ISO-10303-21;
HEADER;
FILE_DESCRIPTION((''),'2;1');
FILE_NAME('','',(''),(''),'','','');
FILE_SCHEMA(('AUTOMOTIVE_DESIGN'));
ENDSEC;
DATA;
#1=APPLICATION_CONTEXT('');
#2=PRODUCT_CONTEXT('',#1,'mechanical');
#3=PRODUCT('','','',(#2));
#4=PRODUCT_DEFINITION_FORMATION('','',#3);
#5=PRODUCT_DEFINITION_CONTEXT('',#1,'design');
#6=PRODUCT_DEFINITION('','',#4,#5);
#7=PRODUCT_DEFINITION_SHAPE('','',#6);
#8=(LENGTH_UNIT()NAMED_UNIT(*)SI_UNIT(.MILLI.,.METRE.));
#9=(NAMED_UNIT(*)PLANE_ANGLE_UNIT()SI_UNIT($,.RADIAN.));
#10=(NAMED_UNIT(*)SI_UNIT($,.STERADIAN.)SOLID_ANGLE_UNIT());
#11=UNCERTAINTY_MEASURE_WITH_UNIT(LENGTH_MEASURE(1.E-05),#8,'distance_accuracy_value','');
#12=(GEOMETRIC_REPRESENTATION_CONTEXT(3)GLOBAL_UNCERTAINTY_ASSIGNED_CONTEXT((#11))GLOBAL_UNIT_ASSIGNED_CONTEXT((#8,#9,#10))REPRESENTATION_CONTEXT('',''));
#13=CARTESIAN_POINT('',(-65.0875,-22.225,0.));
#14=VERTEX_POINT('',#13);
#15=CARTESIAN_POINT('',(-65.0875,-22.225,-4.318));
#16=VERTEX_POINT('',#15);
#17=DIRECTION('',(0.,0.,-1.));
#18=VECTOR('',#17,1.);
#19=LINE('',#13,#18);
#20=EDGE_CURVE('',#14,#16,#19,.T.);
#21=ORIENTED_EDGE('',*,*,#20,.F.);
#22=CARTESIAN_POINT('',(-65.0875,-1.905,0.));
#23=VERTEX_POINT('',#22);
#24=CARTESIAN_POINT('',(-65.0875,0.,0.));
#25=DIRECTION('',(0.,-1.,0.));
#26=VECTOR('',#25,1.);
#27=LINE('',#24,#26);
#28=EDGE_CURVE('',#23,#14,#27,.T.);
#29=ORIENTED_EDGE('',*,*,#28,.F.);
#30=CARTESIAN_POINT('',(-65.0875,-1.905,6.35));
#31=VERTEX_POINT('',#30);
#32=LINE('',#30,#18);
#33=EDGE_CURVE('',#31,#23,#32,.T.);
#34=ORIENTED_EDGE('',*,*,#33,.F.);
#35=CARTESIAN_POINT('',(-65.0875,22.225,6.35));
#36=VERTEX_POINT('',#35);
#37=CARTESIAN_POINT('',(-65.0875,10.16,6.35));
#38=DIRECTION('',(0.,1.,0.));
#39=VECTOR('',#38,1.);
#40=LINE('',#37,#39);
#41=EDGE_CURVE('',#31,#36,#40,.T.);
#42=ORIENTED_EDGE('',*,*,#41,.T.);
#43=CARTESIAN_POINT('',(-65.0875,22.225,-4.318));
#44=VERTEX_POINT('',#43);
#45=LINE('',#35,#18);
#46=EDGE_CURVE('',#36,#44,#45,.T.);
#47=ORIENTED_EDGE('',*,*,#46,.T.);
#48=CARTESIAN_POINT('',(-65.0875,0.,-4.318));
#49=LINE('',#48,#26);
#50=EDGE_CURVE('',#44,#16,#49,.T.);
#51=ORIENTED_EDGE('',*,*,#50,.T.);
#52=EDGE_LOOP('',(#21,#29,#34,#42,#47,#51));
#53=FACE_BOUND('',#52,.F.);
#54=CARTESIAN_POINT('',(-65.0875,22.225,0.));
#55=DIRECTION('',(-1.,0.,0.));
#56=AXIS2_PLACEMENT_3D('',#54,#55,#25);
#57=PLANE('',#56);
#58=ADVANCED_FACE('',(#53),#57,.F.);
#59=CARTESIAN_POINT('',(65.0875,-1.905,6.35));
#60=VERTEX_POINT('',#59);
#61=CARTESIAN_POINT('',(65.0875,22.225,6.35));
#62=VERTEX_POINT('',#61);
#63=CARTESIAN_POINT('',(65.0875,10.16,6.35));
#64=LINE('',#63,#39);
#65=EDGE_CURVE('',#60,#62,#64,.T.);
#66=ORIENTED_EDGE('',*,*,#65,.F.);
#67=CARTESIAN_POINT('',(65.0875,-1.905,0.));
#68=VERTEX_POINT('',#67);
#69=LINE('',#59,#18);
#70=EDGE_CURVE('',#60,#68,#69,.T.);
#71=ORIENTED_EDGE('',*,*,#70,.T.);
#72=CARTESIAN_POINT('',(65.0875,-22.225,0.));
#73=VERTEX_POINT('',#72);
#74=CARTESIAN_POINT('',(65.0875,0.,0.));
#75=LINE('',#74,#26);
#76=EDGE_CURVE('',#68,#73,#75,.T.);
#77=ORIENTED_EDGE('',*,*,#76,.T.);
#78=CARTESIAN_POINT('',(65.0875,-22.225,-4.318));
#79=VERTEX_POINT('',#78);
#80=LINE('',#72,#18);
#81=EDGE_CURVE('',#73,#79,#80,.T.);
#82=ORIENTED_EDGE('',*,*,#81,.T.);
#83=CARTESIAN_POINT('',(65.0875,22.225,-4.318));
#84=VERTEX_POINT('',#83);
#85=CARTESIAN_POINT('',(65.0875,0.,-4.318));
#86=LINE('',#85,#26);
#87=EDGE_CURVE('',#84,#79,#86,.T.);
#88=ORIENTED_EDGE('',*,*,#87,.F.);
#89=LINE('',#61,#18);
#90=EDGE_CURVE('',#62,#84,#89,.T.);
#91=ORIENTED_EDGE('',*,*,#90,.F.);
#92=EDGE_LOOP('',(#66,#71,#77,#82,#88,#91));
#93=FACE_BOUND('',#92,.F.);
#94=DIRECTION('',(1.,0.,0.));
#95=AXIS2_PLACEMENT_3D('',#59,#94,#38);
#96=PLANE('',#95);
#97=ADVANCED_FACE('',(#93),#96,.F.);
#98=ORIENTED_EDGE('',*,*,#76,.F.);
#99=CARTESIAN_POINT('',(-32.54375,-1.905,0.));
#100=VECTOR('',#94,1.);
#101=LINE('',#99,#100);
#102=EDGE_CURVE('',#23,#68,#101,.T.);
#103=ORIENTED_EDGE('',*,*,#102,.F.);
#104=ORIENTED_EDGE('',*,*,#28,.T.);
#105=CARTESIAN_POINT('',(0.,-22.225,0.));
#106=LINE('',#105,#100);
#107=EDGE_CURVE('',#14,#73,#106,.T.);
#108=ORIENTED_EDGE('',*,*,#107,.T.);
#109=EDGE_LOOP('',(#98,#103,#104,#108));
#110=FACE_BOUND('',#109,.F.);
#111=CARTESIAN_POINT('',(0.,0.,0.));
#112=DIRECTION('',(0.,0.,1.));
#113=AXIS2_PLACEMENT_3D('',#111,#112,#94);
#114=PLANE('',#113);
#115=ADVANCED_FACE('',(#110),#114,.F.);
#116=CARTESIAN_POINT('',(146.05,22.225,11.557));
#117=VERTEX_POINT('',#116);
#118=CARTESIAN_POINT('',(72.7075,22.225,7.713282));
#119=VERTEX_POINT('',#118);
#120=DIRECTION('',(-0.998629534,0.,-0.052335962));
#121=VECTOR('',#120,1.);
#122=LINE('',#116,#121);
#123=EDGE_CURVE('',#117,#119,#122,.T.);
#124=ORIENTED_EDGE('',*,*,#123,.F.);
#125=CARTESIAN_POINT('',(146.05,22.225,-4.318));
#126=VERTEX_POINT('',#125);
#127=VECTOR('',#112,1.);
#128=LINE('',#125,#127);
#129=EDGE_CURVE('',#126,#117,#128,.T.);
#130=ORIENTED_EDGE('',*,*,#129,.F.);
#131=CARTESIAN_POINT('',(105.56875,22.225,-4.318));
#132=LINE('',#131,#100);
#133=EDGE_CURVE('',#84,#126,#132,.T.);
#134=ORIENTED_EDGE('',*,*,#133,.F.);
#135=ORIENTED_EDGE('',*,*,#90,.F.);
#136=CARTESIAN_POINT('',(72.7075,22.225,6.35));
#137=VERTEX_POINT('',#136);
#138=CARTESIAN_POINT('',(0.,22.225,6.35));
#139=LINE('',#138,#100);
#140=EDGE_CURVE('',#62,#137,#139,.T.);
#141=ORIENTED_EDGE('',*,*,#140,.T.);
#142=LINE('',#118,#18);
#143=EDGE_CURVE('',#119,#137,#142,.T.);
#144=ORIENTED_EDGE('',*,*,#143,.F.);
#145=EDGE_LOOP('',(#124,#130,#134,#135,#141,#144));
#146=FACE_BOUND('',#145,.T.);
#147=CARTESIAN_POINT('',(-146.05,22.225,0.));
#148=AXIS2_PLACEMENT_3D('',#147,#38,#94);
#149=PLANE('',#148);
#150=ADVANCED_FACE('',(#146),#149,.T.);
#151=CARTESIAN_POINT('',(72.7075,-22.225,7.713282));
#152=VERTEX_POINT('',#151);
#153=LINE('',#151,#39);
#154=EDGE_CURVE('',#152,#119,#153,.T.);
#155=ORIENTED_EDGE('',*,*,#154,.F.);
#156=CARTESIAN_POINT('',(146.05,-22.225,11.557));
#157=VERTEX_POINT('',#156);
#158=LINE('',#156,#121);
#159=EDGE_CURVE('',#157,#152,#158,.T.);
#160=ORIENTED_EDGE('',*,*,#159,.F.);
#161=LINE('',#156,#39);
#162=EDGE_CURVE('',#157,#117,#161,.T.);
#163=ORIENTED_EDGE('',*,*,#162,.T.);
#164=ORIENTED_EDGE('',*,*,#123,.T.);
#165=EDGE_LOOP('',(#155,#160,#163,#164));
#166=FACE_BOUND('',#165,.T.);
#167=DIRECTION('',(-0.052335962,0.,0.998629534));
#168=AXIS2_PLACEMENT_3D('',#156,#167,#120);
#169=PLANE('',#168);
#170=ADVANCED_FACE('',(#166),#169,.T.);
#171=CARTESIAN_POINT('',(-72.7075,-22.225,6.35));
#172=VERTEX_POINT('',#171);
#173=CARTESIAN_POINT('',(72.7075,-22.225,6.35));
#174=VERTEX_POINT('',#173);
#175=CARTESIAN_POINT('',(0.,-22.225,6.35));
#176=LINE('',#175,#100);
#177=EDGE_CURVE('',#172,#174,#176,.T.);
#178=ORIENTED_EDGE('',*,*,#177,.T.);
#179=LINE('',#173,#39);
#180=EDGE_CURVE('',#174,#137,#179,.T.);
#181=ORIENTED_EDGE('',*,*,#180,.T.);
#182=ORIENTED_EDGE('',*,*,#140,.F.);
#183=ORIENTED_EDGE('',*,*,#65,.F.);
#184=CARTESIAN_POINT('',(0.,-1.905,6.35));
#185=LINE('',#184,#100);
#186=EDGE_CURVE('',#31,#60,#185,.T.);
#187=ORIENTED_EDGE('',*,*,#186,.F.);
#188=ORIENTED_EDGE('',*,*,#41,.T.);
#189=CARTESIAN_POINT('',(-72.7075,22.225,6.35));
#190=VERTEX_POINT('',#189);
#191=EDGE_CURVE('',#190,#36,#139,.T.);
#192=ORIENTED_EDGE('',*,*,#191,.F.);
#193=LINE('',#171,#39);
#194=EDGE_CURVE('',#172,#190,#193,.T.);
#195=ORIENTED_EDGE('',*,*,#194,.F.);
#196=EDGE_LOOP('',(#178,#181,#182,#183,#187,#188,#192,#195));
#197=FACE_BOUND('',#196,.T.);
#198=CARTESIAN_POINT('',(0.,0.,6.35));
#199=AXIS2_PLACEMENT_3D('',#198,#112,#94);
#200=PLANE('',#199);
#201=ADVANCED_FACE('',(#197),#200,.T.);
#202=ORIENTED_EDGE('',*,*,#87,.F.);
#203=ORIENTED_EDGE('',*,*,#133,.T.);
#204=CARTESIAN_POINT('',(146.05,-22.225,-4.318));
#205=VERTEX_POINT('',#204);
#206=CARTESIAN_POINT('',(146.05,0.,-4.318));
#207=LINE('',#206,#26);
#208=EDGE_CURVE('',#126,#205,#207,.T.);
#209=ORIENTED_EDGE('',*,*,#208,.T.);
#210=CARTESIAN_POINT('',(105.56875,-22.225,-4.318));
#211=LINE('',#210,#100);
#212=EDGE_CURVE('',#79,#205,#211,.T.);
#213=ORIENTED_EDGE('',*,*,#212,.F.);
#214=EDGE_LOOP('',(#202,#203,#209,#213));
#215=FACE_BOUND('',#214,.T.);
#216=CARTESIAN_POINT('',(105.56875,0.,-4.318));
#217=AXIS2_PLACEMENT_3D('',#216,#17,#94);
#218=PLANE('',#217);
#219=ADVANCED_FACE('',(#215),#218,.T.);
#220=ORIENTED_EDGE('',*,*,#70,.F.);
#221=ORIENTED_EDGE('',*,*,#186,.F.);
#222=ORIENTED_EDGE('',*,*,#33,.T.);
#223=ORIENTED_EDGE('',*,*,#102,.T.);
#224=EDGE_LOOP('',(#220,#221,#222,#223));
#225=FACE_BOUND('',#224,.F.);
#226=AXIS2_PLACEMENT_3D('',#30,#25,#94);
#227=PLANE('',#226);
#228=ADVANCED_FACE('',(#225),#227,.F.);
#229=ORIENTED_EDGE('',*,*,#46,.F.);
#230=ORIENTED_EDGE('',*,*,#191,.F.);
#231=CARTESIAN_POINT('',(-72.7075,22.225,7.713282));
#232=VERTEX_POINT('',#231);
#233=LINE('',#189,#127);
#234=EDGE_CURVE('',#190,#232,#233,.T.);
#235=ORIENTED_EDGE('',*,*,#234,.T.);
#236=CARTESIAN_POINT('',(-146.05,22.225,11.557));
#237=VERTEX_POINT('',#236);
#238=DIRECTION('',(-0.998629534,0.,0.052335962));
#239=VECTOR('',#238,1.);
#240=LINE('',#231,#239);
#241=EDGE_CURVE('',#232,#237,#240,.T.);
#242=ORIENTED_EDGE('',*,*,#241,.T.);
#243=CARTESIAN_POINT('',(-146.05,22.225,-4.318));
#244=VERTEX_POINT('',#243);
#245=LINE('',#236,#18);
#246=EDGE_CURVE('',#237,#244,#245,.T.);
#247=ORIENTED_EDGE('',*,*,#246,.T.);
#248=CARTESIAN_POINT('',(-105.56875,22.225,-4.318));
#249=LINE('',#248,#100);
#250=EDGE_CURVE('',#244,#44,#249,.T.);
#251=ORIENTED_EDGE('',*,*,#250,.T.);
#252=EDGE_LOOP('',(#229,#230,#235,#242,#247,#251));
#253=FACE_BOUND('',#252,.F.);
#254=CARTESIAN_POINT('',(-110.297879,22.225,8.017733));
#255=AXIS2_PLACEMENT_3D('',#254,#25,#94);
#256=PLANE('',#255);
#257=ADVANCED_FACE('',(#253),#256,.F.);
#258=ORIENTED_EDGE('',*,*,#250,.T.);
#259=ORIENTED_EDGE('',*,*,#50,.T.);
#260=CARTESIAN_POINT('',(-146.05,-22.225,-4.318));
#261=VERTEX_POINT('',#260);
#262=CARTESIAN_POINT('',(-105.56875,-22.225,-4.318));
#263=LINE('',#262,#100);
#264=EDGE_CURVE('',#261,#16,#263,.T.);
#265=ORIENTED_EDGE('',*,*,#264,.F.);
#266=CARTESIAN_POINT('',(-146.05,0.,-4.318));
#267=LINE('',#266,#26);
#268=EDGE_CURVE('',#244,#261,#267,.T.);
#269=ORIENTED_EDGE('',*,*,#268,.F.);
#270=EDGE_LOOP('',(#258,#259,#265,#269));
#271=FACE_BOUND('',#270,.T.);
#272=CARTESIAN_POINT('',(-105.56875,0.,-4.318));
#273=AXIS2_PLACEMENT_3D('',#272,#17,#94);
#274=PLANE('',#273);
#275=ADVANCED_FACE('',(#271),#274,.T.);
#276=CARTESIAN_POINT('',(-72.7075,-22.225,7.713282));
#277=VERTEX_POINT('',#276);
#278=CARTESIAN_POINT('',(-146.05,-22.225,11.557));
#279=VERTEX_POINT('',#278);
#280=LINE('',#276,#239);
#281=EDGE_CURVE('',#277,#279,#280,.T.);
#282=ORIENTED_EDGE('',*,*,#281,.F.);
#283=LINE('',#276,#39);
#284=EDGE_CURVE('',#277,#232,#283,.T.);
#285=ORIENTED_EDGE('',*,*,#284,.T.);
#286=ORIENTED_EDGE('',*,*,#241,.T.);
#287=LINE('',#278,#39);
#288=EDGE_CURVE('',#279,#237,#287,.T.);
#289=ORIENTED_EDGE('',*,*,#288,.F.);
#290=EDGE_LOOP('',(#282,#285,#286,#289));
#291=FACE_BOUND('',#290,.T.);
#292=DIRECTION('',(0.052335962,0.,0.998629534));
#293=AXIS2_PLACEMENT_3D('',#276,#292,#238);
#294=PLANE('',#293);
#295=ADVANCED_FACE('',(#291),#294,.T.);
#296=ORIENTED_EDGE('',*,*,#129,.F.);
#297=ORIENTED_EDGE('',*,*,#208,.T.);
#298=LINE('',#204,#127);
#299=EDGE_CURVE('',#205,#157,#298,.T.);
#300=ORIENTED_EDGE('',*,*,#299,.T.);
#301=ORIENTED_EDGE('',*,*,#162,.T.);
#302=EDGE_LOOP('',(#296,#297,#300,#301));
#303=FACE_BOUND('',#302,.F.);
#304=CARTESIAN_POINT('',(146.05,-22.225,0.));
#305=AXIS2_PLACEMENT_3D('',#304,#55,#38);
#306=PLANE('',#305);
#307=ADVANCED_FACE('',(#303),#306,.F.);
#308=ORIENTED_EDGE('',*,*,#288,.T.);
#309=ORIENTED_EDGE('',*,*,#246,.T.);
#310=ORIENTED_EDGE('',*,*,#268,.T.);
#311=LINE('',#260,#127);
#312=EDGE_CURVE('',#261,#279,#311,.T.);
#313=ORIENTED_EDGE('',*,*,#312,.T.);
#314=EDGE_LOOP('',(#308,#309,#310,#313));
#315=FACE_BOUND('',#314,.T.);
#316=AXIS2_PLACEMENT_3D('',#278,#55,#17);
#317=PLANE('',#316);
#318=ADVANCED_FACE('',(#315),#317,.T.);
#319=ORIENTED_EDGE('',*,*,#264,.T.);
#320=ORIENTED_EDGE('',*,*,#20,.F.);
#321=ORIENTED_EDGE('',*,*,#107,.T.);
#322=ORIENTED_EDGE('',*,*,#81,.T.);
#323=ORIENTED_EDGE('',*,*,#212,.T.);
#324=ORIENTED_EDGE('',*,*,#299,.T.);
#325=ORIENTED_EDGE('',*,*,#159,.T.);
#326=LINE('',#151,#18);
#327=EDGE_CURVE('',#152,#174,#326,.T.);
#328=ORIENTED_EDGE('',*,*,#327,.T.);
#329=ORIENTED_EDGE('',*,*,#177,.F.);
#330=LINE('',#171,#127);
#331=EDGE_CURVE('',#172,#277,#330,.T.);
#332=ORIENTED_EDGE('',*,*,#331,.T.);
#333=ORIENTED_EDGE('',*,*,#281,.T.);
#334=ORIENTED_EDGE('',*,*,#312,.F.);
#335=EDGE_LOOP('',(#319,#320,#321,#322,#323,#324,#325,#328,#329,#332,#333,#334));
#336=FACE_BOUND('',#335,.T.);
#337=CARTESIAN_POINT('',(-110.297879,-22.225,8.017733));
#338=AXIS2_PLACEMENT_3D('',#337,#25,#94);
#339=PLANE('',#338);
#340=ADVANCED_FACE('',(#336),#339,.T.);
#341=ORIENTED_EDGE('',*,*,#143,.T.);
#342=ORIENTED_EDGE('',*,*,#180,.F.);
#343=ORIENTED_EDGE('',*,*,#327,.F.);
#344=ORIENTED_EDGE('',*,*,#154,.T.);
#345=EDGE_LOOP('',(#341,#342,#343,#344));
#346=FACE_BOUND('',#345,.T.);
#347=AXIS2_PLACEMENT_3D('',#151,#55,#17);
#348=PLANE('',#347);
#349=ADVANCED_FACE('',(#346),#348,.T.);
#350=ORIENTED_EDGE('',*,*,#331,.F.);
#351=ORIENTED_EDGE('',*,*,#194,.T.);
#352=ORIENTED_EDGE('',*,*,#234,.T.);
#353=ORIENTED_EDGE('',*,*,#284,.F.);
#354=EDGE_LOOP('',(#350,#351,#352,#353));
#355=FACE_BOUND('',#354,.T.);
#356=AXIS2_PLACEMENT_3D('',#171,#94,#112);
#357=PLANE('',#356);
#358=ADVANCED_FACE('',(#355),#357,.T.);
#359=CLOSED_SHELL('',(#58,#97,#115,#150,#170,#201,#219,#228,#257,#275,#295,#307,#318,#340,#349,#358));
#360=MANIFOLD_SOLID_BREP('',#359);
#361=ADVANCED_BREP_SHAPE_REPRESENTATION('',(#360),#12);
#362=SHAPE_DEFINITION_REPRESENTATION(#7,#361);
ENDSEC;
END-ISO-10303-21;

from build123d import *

# Parameters (mm, degrees)
F0_W     = 292.1
F0_H     = 44.45
F1_DEPTH = 6.35
F2_W     = 130.175
F2_H     = 24.13
F3_DEPTH = 6.351
F4_W     = 80.9625
F4_H     = 44.45
F5_DEPTH = 4.318
F7_DEPTH = 44.45


with BuildPart() as f1:
    # F0 (on Top) → F1 (new body)
    with BuildSketch(Plane.XY):
        Rectangle(F0_W, F0_H)
    extrude(amount=F1_DEPTH)

    # F2 (on face) → F3 (cut, through all)
    with BuildSketch(Plane.XY.offset(6.35)):
        with Locations((0, 10.16)):
            Rectangle(F2_W, F2_H)
    extrude(amount=-F3_DEPTH, mode=Mode.SUBTRACT)

    # F4 (on face) → F5 (join)
    with BuildSketch(Plane(origin=(0, 0, 0), x_dir=(1, 0, 0), z_dir=(0, 0, -1))):
        with Locations((-105.56875, 0)):
            Rectangle(F4_W, F4_H)
        with Locations((105.56875, 0)):
            Rectangle(F4_W, F4_H)
    extrude(amount=F5_DEPTH)

    # F6 (on face) → F7 (join, through all)
    with BuildSketch(Plane.XZ.offset(22.225)):
        Polygon((-146.05, 11.557), (-146.05, 6.35), (-72.7075, 6.35), (-72.7075, 7.713282), align=None)
        Polygon((72.7075, 7.713282), (72.7075, 6.35), (146.05, 6.35), (146.05, 11.557), align=None)
    extrude(amount=-F7_DEPTH)


solid = f1.part
